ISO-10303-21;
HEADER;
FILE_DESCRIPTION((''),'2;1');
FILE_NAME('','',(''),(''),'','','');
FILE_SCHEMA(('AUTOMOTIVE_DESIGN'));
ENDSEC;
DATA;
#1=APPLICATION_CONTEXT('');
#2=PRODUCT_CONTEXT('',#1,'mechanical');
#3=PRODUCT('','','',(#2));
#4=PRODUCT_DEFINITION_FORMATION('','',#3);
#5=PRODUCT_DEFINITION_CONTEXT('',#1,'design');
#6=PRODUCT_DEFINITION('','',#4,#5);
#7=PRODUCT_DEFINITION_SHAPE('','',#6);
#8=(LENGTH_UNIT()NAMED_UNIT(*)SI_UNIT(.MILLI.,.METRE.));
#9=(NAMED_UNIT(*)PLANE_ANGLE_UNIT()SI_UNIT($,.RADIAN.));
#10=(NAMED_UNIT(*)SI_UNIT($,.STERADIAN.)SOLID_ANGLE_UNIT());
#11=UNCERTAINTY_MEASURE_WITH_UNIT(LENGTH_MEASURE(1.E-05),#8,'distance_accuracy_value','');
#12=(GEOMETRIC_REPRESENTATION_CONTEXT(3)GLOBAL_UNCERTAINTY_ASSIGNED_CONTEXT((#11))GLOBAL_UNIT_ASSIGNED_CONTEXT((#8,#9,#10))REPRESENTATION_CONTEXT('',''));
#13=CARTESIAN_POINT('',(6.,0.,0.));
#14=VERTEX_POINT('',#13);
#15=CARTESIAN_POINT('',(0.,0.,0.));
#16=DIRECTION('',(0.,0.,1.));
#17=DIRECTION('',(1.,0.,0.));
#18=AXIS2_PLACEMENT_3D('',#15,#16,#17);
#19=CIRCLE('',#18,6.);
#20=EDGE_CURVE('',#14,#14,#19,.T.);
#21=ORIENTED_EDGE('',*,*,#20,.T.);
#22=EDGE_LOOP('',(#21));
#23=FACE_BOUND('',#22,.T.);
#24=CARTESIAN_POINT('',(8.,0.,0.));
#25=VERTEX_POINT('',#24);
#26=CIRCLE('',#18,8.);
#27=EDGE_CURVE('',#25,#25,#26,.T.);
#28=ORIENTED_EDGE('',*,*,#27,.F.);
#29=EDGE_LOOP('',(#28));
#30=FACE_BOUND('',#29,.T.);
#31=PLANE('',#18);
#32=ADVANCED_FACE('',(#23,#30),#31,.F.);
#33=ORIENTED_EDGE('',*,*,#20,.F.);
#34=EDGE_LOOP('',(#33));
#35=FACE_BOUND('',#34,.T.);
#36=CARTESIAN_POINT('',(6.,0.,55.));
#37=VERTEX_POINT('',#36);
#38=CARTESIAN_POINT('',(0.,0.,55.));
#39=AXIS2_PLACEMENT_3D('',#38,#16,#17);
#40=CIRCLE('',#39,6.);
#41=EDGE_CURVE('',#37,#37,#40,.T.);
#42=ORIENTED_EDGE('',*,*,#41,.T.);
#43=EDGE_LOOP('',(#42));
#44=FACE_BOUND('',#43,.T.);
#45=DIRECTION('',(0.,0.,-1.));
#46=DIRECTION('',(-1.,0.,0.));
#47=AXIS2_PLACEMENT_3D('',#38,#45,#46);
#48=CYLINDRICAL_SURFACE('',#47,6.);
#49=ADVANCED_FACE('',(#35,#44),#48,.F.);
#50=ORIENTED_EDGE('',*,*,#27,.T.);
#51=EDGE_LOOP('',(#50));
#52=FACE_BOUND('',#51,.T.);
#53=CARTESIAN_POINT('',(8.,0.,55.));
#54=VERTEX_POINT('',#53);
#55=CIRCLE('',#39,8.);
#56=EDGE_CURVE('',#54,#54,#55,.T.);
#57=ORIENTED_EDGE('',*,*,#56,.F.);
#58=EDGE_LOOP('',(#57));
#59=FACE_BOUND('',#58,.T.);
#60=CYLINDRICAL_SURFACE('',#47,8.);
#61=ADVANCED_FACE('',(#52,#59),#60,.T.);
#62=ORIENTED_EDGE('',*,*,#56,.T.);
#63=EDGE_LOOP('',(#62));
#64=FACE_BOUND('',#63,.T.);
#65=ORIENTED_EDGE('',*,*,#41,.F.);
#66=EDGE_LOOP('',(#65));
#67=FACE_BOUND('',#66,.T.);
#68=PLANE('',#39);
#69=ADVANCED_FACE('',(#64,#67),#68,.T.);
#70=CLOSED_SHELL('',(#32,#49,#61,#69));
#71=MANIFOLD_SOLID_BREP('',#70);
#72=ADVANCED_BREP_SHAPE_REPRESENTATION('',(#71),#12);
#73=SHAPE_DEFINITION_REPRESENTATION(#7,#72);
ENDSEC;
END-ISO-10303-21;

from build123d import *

# Parameters (mm, degrees)
SKETCH_1_R      = 8
SKETCH_1_R_2    = 6
EXTRUDE_1_DEPTH = 55


with BuildPart() as part:
    # 草图1 → 凸台-拉伸1 (new body)
    with BuildSketch(Plane.XY):
        Circle(SKETCH_1_R)
        Circle(SKETCH_1_R_2, mode=Mode.SUBTRACT)
    extrude(amount=EXTRUDE_1_DEPTH)


solid = part.part
